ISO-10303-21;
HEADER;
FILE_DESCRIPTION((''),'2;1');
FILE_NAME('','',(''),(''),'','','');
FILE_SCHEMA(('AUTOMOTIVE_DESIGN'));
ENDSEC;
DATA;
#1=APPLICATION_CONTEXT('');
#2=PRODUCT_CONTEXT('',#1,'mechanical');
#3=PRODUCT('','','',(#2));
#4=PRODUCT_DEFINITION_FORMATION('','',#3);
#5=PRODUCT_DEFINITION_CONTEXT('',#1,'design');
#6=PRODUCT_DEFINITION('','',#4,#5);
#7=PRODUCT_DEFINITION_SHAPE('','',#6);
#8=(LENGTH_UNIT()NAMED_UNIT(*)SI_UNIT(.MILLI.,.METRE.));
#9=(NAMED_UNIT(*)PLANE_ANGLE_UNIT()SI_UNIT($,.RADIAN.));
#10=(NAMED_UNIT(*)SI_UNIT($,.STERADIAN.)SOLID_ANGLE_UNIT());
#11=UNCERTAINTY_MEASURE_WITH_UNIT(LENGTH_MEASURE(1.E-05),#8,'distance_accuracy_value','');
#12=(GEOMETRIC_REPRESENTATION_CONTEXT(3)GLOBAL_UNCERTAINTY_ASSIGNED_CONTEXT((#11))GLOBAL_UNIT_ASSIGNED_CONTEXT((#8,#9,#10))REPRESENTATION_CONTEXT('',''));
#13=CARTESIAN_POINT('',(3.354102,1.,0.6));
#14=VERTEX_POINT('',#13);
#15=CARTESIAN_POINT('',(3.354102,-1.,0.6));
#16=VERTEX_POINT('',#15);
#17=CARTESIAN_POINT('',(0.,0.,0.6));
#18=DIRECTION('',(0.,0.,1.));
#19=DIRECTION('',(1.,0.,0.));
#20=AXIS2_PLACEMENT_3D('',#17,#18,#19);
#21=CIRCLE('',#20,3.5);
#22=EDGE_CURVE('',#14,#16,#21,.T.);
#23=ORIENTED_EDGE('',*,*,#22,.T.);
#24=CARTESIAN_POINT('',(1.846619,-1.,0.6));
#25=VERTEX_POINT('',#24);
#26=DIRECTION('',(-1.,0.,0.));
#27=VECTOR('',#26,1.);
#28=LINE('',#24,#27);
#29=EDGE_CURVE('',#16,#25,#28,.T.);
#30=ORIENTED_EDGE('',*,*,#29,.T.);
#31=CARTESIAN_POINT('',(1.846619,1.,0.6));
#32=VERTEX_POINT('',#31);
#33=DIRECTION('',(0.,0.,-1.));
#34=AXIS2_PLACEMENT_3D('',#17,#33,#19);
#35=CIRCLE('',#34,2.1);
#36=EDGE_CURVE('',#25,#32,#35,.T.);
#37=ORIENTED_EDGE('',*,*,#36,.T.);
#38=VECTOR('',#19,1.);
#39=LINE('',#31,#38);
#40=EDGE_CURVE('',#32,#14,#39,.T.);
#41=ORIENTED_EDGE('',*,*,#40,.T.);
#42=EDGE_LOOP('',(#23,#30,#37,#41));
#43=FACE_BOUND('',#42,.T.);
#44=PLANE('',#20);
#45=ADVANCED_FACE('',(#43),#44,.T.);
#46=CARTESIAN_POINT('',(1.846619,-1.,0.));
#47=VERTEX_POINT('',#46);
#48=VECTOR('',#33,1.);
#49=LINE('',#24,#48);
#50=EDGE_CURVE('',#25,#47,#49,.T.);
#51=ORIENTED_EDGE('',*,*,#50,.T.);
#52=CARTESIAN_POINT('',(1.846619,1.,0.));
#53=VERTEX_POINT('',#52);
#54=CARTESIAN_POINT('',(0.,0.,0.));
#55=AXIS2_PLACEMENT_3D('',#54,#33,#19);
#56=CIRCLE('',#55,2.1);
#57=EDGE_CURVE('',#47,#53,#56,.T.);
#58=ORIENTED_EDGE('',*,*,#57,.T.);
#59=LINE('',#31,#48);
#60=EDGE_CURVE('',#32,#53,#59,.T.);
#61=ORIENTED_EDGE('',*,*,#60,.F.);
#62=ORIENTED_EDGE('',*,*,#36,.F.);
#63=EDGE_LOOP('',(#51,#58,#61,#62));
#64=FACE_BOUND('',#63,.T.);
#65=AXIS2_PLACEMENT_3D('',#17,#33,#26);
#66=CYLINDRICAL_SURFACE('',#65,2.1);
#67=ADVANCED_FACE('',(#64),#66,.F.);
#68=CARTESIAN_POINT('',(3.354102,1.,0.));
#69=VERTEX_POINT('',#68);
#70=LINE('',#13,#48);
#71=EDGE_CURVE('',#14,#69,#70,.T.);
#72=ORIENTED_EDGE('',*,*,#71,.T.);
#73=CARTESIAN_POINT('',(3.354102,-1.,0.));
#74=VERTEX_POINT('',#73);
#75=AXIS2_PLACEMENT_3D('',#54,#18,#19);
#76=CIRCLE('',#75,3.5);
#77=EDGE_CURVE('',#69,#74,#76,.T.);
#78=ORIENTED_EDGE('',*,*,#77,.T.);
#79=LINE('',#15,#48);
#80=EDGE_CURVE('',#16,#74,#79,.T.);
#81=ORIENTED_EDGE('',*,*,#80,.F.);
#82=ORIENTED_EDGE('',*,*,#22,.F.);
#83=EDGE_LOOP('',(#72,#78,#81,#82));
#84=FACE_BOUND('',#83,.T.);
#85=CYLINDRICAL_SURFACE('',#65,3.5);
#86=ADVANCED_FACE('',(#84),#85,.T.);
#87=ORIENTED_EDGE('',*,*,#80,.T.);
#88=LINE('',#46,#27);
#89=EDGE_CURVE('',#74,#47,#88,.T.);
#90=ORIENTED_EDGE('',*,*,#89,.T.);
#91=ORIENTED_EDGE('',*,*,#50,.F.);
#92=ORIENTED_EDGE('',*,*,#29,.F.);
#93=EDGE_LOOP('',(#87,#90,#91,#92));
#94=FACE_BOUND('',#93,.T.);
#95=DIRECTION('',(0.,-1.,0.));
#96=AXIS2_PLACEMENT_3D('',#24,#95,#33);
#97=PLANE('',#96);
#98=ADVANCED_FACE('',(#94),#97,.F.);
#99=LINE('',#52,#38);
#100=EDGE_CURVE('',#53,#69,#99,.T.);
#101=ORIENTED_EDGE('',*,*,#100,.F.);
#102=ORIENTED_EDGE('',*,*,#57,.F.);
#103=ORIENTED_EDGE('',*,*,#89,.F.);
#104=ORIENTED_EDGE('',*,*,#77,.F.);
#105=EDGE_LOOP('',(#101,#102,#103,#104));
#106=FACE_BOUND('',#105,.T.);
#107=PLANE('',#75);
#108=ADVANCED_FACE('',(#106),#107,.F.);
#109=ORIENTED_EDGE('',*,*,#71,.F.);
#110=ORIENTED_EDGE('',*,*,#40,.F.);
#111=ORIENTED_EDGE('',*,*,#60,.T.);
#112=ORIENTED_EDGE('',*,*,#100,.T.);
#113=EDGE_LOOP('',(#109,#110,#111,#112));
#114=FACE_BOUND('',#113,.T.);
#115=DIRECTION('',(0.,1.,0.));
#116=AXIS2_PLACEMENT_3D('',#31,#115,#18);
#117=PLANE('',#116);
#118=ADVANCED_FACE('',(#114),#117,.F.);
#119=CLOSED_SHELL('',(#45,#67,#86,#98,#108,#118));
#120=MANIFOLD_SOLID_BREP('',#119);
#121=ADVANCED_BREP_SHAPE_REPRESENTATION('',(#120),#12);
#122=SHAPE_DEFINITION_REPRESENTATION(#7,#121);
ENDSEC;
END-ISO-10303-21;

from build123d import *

# Parameters (mm, degrees)
BOSS_EXTRUDE1_DEPTH = 0.6


with BuildPart() as part:
    # Sketch1 → Boss-Extrude1 (new body)
    with BuildSketch(Plane.XY):
        with BuildLine():
            Line((1.846618531, 1), (3.354101966, 1))
            ThreePointArc((3.354101966, 1), (-3.5, 0), (3.354101966, -1))
            Line((3.354101966, -1), (1.846618531, -1))
            ThreePointArc((1.846618531, -1), (-2.1, 0), (1.846618531, 1))
        make_face()
    extrude(amount=BOSS_EXTRUDE1_DEPTH)


solid = part.part
